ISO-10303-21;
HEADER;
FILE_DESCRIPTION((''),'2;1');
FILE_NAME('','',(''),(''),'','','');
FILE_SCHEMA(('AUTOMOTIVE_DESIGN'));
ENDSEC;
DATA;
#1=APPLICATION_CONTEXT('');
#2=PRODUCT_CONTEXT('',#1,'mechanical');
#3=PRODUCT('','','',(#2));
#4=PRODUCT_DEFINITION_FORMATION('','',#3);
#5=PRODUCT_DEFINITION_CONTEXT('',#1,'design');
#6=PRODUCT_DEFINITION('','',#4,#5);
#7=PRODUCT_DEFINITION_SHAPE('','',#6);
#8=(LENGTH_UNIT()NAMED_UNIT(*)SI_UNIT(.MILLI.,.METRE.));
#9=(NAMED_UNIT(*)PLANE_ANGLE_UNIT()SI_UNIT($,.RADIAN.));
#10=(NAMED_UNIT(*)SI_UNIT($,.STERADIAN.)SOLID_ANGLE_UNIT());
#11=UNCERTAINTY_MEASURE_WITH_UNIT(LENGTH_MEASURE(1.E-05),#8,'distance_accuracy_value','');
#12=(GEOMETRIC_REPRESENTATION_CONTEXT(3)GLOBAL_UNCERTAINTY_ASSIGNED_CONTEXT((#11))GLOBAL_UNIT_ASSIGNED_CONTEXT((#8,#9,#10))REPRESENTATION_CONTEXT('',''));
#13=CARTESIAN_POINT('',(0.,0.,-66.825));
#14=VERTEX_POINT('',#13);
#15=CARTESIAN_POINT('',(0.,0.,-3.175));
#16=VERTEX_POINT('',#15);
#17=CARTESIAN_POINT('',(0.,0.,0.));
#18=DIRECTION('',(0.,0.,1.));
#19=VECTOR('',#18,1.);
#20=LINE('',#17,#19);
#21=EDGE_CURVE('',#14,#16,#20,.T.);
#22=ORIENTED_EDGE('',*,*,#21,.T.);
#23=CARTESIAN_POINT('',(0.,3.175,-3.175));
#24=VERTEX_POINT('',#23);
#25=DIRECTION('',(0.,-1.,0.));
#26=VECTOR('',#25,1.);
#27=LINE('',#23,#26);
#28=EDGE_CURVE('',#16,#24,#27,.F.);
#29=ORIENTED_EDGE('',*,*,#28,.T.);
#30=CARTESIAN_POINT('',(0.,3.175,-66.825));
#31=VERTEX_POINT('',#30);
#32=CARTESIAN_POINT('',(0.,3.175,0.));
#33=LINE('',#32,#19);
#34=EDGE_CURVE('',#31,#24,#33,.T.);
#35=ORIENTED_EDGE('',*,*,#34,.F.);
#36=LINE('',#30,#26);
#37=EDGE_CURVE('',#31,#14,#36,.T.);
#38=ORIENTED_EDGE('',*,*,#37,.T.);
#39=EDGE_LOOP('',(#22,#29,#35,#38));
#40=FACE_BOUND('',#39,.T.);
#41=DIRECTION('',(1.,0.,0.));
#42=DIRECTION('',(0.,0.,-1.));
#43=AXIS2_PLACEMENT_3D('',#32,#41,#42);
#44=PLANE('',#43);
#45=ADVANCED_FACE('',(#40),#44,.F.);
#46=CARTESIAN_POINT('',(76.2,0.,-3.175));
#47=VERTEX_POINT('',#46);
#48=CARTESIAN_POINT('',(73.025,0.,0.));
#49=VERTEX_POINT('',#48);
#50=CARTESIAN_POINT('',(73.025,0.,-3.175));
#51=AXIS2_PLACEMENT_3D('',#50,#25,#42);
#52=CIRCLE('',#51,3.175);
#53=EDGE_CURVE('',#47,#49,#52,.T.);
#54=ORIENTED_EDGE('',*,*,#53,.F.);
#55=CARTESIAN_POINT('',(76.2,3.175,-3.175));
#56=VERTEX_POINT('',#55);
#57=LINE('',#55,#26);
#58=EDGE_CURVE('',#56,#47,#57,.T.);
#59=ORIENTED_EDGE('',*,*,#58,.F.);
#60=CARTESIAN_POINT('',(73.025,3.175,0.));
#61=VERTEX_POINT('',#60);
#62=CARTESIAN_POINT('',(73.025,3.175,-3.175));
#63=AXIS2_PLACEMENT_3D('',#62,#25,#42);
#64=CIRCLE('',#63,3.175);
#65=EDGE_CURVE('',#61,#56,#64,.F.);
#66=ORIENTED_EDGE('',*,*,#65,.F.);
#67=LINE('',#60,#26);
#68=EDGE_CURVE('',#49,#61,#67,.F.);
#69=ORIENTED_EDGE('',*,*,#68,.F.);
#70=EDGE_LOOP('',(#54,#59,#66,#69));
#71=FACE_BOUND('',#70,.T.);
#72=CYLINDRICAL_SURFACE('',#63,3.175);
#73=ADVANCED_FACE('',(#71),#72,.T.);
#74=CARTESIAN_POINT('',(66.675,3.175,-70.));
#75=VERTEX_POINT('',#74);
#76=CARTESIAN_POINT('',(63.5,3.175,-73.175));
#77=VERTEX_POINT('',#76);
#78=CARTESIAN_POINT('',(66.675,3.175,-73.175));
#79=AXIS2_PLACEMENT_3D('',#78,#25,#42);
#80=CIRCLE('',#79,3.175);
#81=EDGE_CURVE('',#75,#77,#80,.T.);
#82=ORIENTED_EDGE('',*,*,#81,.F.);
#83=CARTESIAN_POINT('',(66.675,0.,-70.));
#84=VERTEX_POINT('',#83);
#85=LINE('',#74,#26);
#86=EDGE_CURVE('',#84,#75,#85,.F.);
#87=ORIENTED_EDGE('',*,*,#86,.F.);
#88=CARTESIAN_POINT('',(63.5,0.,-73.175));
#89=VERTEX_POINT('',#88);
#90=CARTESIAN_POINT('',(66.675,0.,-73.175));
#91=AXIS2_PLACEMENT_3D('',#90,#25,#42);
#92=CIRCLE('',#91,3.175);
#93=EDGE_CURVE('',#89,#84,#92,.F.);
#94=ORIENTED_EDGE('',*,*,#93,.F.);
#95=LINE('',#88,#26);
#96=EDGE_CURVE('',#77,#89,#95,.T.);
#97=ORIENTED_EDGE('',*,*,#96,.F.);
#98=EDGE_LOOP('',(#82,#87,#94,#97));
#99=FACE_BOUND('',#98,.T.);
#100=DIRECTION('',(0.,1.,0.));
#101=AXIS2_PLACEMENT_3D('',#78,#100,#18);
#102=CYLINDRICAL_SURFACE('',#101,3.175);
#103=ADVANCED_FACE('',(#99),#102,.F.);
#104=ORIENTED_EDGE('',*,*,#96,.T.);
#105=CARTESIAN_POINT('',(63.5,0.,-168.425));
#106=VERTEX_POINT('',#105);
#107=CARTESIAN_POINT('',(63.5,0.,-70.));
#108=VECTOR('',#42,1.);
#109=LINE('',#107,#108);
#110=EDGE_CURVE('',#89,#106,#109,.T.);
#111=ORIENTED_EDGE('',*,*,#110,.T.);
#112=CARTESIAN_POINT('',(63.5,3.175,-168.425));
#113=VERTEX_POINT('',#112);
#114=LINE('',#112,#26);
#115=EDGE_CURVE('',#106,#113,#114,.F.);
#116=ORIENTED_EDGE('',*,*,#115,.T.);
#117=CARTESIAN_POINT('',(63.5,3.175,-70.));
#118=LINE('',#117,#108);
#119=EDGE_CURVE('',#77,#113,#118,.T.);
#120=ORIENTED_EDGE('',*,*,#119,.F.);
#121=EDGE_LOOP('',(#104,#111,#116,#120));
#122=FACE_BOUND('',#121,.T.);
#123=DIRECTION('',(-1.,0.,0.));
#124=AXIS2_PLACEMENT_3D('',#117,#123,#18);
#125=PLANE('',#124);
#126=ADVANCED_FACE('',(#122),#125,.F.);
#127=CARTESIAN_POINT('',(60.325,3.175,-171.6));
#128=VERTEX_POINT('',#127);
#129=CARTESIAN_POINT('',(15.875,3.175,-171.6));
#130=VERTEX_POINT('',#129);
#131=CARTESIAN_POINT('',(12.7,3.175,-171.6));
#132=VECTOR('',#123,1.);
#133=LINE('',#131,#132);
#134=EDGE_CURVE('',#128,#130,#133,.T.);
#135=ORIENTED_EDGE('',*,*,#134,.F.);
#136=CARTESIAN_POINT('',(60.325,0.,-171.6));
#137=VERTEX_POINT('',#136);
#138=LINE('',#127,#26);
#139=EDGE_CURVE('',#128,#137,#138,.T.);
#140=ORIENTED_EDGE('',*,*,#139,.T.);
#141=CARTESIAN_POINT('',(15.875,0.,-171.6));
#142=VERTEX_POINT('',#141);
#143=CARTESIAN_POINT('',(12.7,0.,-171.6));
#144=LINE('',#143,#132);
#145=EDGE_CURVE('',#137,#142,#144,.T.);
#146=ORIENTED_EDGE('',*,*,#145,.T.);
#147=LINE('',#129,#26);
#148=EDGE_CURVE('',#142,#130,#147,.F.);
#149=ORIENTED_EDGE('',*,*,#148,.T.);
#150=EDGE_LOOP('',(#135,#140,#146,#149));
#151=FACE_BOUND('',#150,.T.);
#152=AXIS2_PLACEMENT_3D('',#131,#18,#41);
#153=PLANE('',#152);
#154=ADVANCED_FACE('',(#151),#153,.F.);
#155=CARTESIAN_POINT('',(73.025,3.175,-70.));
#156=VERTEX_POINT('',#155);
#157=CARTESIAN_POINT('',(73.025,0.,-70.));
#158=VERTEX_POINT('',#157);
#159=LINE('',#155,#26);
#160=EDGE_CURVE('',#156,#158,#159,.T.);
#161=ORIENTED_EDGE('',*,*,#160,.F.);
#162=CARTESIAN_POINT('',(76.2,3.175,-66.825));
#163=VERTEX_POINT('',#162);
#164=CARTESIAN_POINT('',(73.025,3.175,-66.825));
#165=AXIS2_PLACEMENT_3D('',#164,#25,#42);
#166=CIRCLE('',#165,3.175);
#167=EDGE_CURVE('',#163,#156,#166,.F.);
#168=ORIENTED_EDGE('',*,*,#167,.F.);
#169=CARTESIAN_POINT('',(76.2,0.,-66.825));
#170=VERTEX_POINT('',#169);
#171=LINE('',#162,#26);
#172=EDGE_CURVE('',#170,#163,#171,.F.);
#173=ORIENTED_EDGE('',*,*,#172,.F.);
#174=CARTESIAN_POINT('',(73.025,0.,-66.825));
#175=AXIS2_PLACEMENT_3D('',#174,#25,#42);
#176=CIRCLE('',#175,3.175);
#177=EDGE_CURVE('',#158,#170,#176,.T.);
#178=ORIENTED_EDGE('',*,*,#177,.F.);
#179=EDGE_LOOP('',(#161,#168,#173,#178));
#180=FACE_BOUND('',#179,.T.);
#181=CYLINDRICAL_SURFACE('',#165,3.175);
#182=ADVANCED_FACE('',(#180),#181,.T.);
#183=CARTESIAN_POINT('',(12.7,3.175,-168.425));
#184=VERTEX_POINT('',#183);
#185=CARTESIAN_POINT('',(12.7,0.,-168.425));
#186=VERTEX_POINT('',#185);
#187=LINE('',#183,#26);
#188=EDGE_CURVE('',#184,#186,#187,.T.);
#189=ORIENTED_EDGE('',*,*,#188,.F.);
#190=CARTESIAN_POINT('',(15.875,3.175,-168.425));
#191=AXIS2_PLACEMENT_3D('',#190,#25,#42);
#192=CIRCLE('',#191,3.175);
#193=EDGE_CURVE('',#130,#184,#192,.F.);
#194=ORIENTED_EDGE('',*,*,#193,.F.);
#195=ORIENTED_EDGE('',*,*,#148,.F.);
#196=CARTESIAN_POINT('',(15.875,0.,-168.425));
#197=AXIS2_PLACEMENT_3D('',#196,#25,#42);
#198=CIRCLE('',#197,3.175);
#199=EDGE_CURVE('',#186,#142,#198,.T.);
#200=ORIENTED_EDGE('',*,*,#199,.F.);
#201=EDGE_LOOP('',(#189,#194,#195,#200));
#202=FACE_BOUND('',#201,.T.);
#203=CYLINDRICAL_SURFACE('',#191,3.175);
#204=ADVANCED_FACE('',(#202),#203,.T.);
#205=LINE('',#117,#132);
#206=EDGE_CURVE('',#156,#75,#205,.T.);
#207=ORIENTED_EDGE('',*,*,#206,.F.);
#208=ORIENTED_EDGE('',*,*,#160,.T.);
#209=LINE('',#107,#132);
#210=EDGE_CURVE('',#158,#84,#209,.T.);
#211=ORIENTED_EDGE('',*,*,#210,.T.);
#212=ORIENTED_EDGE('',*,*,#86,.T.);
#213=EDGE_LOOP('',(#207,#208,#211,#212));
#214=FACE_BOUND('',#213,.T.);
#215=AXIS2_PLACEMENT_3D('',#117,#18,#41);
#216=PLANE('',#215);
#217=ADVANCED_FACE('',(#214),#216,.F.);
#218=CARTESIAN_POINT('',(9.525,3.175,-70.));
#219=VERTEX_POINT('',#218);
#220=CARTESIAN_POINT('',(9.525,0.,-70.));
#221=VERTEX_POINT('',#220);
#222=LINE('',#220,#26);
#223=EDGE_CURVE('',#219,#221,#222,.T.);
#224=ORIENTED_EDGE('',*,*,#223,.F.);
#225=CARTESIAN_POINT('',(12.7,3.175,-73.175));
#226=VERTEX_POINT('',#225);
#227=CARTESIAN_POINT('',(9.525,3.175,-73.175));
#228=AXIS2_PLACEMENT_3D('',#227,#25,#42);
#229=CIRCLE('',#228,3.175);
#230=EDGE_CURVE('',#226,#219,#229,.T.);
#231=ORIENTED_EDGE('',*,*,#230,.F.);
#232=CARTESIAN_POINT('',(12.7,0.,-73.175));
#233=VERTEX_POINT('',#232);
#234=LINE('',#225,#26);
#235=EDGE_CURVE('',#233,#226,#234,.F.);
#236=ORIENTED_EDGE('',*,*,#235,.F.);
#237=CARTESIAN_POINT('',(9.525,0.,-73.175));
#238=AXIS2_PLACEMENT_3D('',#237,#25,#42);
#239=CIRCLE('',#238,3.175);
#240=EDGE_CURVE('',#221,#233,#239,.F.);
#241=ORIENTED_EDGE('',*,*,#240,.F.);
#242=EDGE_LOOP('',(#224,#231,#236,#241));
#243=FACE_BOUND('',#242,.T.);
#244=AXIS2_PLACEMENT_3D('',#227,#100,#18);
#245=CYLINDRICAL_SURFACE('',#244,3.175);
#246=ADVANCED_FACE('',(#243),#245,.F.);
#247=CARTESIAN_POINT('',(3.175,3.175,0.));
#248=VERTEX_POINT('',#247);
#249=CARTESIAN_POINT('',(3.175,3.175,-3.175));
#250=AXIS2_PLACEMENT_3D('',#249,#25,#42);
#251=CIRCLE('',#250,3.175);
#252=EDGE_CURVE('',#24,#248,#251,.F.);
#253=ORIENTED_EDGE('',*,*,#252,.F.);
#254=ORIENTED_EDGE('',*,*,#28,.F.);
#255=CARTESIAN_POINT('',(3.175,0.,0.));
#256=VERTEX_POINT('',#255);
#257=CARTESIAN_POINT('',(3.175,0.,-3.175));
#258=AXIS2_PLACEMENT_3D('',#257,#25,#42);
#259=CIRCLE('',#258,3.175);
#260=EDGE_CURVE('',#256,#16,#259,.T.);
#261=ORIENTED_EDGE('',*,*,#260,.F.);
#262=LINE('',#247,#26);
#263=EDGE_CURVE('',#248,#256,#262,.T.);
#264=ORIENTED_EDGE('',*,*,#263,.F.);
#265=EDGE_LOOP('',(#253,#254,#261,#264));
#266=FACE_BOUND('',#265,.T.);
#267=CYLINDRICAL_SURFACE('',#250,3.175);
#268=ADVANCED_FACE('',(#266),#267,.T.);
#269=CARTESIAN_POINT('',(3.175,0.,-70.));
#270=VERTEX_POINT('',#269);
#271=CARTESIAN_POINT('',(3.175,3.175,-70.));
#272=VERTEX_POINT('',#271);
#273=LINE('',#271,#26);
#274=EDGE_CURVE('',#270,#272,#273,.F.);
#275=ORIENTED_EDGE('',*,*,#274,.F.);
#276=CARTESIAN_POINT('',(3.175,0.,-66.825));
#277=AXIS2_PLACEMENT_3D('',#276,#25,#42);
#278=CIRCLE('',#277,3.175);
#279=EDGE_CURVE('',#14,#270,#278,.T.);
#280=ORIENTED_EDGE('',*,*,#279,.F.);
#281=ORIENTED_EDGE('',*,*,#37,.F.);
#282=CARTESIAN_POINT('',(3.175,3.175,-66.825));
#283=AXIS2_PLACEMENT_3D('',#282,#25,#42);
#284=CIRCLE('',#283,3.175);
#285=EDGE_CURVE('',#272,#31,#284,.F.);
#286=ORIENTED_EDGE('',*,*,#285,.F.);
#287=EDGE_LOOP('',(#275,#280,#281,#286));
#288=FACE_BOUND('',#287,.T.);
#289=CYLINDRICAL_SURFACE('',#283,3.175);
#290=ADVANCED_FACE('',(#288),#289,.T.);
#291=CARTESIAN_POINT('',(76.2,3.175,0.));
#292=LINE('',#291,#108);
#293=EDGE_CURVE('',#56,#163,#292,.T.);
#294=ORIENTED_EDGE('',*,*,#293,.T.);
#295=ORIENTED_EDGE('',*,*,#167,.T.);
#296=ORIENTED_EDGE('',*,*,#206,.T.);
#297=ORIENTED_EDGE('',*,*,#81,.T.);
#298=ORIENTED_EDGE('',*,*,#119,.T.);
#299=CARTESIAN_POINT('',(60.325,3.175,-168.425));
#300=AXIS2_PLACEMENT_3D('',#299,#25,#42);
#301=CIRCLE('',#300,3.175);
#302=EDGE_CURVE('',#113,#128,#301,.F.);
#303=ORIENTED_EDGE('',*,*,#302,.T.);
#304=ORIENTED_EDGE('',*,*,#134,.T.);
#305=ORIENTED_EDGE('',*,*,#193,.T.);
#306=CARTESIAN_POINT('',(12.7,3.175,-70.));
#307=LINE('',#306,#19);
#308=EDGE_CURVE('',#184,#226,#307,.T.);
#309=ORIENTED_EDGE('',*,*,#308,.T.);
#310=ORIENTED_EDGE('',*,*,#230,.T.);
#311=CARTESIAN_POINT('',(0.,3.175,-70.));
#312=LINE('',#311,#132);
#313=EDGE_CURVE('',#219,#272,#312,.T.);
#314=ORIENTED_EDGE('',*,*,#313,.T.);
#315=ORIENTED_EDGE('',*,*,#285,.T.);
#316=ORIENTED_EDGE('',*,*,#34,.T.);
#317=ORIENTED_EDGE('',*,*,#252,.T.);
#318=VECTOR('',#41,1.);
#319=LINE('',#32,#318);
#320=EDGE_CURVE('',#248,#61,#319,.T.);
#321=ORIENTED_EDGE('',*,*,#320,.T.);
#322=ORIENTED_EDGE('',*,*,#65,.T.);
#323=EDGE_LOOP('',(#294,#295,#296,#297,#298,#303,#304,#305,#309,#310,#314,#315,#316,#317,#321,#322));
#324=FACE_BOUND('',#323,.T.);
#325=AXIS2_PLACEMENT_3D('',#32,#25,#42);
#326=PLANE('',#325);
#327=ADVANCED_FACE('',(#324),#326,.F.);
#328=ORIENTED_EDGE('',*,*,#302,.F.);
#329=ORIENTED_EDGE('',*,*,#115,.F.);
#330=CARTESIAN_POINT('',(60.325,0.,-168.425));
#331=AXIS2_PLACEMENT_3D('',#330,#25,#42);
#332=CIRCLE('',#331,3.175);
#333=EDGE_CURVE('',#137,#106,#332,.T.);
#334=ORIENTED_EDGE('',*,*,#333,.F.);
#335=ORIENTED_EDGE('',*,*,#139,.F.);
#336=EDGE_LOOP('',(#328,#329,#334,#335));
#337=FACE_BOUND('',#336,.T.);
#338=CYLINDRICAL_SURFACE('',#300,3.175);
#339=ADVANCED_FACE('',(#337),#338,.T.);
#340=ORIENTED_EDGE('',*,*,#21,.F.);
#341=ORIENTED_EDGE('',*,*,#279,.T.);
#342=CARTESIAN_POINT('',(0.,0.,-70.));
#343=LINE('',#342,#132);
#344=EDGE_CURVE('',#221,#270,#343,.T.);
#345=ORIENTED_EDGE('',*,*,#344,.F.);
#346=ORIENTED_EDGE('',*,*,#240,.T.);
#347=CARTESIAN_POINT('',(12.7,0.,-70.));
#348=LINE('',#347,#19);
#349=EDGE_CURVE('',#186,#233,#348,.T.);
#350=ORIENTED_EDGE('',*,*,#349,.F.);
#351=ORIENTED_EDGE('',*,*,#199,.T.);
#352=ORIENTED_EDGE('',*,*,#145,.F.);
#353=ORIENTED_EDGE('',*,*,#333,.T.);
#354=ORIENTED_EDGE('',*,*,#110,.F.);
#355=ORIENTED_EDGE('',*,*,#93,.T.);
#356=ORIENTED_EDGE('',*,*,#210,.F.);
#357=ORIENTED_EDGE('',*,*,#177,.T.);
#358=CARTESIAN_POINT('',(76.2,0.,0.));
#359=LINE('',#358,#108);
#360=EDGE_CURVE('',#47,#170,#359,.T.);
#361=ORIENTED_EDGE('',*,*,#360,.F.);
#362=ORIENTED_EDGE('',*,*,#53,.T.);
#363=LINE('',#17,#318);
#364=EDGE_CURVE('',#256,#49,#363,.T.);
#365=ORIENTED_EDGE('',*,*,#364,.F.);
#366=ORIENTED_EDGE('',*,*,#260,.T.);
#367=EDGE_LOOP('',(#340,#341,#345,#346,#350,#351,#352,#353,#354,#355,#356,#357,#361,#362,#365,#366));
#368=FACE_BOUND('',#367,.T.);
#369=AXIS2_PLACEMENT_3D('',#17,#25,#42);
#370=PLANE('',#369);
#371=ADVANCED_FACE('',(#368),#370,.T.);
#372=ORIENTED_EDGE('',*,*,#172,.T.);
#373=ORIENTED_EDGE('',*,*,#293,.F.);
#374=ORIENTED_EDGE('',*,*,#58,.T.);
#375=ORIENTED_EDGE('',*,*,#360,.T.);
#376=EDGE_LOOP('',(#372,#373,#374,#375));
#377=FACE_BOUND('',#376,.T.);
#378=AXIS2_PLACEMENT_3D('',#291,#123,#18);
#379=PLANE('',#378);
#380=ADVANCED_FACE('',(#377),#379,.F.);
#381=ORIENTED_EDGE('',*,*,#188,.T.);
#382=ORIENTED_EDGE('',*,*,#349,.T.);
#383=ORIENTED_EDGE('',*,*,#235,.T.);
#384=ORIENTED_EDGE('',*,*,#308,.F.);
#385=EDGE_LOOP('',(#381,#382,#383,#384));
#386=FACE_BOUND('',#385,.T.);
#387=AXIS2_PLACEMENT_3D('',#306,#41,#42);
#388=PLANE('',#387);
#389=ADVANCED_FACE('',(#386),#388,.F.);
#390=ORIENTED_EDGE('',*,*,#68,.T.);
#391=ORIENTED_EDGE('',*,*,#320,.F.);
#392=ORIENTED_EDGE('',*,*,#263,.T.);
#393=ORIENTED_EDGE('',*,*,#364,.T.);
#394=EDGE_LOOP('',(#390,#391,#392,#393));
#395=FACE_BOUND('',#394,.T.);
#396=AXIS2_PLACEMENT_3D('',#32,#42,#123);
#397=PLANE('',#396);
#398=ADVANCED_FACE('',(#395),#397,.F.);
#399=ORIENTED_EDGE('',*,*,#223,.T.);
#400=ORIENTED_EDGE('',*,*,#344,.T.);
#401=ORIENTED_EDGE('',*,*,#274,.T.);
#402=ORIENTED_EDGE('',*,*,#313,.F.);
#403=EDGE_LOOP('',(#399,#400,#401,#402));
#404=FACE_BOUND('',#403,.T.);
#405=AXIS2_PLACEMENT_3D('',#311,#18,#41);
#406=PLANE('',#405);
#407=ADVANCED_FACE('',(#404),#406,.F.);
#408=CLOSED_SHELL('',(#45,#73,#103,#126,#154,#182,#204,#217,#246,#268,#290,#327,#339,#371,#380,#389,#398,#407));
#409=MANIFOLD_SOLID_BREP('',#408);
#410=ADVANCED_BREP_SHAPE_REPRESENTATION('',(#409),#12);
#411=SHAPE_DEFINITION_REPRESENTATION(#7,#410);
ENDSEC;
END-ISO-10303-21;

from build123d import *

# Parameters (mm, degrees)
BOSS_EXTRUDE1_DEPTH = 3.175
FILLET1_R           = 3.175


with BuildPart() as part:
    # Sketch1 → Boss-Extrude1 (new body)
    with BuildSketch(Plane(origin=(0, 0, 0), x_dir=(1, 0, 0), z_dir=(0, 1, 0))):
        Polygon((0, 0), (76.2, 0), (76.2, 70), (63.5, 70), (63.5, 171.6), (12.7, 171.6), (12.7, 70), (0, 70), align=None)
    extrude(amount=BOSS_EXTRUDE1_DEPTH)

    # Fillet1
    fillet1_edges = [part.edges().sort_by_distance(p)[0] for p in [
        (0, 1.5875, -70),
        (12.7, 1.5875, -70),
        (12.7, 1.5875, -171.6),
        (63.5, 1.5875, -171.6),
        (63.5, 1.5875, -70),
        (76.2, 1.5875, -70),
        (76.2, 1.5875, 0),
        (0, 1.5875, 0),
    ]]
    fillet(fillet1_edges, radius=FILLET1_R)


solid = part.part
